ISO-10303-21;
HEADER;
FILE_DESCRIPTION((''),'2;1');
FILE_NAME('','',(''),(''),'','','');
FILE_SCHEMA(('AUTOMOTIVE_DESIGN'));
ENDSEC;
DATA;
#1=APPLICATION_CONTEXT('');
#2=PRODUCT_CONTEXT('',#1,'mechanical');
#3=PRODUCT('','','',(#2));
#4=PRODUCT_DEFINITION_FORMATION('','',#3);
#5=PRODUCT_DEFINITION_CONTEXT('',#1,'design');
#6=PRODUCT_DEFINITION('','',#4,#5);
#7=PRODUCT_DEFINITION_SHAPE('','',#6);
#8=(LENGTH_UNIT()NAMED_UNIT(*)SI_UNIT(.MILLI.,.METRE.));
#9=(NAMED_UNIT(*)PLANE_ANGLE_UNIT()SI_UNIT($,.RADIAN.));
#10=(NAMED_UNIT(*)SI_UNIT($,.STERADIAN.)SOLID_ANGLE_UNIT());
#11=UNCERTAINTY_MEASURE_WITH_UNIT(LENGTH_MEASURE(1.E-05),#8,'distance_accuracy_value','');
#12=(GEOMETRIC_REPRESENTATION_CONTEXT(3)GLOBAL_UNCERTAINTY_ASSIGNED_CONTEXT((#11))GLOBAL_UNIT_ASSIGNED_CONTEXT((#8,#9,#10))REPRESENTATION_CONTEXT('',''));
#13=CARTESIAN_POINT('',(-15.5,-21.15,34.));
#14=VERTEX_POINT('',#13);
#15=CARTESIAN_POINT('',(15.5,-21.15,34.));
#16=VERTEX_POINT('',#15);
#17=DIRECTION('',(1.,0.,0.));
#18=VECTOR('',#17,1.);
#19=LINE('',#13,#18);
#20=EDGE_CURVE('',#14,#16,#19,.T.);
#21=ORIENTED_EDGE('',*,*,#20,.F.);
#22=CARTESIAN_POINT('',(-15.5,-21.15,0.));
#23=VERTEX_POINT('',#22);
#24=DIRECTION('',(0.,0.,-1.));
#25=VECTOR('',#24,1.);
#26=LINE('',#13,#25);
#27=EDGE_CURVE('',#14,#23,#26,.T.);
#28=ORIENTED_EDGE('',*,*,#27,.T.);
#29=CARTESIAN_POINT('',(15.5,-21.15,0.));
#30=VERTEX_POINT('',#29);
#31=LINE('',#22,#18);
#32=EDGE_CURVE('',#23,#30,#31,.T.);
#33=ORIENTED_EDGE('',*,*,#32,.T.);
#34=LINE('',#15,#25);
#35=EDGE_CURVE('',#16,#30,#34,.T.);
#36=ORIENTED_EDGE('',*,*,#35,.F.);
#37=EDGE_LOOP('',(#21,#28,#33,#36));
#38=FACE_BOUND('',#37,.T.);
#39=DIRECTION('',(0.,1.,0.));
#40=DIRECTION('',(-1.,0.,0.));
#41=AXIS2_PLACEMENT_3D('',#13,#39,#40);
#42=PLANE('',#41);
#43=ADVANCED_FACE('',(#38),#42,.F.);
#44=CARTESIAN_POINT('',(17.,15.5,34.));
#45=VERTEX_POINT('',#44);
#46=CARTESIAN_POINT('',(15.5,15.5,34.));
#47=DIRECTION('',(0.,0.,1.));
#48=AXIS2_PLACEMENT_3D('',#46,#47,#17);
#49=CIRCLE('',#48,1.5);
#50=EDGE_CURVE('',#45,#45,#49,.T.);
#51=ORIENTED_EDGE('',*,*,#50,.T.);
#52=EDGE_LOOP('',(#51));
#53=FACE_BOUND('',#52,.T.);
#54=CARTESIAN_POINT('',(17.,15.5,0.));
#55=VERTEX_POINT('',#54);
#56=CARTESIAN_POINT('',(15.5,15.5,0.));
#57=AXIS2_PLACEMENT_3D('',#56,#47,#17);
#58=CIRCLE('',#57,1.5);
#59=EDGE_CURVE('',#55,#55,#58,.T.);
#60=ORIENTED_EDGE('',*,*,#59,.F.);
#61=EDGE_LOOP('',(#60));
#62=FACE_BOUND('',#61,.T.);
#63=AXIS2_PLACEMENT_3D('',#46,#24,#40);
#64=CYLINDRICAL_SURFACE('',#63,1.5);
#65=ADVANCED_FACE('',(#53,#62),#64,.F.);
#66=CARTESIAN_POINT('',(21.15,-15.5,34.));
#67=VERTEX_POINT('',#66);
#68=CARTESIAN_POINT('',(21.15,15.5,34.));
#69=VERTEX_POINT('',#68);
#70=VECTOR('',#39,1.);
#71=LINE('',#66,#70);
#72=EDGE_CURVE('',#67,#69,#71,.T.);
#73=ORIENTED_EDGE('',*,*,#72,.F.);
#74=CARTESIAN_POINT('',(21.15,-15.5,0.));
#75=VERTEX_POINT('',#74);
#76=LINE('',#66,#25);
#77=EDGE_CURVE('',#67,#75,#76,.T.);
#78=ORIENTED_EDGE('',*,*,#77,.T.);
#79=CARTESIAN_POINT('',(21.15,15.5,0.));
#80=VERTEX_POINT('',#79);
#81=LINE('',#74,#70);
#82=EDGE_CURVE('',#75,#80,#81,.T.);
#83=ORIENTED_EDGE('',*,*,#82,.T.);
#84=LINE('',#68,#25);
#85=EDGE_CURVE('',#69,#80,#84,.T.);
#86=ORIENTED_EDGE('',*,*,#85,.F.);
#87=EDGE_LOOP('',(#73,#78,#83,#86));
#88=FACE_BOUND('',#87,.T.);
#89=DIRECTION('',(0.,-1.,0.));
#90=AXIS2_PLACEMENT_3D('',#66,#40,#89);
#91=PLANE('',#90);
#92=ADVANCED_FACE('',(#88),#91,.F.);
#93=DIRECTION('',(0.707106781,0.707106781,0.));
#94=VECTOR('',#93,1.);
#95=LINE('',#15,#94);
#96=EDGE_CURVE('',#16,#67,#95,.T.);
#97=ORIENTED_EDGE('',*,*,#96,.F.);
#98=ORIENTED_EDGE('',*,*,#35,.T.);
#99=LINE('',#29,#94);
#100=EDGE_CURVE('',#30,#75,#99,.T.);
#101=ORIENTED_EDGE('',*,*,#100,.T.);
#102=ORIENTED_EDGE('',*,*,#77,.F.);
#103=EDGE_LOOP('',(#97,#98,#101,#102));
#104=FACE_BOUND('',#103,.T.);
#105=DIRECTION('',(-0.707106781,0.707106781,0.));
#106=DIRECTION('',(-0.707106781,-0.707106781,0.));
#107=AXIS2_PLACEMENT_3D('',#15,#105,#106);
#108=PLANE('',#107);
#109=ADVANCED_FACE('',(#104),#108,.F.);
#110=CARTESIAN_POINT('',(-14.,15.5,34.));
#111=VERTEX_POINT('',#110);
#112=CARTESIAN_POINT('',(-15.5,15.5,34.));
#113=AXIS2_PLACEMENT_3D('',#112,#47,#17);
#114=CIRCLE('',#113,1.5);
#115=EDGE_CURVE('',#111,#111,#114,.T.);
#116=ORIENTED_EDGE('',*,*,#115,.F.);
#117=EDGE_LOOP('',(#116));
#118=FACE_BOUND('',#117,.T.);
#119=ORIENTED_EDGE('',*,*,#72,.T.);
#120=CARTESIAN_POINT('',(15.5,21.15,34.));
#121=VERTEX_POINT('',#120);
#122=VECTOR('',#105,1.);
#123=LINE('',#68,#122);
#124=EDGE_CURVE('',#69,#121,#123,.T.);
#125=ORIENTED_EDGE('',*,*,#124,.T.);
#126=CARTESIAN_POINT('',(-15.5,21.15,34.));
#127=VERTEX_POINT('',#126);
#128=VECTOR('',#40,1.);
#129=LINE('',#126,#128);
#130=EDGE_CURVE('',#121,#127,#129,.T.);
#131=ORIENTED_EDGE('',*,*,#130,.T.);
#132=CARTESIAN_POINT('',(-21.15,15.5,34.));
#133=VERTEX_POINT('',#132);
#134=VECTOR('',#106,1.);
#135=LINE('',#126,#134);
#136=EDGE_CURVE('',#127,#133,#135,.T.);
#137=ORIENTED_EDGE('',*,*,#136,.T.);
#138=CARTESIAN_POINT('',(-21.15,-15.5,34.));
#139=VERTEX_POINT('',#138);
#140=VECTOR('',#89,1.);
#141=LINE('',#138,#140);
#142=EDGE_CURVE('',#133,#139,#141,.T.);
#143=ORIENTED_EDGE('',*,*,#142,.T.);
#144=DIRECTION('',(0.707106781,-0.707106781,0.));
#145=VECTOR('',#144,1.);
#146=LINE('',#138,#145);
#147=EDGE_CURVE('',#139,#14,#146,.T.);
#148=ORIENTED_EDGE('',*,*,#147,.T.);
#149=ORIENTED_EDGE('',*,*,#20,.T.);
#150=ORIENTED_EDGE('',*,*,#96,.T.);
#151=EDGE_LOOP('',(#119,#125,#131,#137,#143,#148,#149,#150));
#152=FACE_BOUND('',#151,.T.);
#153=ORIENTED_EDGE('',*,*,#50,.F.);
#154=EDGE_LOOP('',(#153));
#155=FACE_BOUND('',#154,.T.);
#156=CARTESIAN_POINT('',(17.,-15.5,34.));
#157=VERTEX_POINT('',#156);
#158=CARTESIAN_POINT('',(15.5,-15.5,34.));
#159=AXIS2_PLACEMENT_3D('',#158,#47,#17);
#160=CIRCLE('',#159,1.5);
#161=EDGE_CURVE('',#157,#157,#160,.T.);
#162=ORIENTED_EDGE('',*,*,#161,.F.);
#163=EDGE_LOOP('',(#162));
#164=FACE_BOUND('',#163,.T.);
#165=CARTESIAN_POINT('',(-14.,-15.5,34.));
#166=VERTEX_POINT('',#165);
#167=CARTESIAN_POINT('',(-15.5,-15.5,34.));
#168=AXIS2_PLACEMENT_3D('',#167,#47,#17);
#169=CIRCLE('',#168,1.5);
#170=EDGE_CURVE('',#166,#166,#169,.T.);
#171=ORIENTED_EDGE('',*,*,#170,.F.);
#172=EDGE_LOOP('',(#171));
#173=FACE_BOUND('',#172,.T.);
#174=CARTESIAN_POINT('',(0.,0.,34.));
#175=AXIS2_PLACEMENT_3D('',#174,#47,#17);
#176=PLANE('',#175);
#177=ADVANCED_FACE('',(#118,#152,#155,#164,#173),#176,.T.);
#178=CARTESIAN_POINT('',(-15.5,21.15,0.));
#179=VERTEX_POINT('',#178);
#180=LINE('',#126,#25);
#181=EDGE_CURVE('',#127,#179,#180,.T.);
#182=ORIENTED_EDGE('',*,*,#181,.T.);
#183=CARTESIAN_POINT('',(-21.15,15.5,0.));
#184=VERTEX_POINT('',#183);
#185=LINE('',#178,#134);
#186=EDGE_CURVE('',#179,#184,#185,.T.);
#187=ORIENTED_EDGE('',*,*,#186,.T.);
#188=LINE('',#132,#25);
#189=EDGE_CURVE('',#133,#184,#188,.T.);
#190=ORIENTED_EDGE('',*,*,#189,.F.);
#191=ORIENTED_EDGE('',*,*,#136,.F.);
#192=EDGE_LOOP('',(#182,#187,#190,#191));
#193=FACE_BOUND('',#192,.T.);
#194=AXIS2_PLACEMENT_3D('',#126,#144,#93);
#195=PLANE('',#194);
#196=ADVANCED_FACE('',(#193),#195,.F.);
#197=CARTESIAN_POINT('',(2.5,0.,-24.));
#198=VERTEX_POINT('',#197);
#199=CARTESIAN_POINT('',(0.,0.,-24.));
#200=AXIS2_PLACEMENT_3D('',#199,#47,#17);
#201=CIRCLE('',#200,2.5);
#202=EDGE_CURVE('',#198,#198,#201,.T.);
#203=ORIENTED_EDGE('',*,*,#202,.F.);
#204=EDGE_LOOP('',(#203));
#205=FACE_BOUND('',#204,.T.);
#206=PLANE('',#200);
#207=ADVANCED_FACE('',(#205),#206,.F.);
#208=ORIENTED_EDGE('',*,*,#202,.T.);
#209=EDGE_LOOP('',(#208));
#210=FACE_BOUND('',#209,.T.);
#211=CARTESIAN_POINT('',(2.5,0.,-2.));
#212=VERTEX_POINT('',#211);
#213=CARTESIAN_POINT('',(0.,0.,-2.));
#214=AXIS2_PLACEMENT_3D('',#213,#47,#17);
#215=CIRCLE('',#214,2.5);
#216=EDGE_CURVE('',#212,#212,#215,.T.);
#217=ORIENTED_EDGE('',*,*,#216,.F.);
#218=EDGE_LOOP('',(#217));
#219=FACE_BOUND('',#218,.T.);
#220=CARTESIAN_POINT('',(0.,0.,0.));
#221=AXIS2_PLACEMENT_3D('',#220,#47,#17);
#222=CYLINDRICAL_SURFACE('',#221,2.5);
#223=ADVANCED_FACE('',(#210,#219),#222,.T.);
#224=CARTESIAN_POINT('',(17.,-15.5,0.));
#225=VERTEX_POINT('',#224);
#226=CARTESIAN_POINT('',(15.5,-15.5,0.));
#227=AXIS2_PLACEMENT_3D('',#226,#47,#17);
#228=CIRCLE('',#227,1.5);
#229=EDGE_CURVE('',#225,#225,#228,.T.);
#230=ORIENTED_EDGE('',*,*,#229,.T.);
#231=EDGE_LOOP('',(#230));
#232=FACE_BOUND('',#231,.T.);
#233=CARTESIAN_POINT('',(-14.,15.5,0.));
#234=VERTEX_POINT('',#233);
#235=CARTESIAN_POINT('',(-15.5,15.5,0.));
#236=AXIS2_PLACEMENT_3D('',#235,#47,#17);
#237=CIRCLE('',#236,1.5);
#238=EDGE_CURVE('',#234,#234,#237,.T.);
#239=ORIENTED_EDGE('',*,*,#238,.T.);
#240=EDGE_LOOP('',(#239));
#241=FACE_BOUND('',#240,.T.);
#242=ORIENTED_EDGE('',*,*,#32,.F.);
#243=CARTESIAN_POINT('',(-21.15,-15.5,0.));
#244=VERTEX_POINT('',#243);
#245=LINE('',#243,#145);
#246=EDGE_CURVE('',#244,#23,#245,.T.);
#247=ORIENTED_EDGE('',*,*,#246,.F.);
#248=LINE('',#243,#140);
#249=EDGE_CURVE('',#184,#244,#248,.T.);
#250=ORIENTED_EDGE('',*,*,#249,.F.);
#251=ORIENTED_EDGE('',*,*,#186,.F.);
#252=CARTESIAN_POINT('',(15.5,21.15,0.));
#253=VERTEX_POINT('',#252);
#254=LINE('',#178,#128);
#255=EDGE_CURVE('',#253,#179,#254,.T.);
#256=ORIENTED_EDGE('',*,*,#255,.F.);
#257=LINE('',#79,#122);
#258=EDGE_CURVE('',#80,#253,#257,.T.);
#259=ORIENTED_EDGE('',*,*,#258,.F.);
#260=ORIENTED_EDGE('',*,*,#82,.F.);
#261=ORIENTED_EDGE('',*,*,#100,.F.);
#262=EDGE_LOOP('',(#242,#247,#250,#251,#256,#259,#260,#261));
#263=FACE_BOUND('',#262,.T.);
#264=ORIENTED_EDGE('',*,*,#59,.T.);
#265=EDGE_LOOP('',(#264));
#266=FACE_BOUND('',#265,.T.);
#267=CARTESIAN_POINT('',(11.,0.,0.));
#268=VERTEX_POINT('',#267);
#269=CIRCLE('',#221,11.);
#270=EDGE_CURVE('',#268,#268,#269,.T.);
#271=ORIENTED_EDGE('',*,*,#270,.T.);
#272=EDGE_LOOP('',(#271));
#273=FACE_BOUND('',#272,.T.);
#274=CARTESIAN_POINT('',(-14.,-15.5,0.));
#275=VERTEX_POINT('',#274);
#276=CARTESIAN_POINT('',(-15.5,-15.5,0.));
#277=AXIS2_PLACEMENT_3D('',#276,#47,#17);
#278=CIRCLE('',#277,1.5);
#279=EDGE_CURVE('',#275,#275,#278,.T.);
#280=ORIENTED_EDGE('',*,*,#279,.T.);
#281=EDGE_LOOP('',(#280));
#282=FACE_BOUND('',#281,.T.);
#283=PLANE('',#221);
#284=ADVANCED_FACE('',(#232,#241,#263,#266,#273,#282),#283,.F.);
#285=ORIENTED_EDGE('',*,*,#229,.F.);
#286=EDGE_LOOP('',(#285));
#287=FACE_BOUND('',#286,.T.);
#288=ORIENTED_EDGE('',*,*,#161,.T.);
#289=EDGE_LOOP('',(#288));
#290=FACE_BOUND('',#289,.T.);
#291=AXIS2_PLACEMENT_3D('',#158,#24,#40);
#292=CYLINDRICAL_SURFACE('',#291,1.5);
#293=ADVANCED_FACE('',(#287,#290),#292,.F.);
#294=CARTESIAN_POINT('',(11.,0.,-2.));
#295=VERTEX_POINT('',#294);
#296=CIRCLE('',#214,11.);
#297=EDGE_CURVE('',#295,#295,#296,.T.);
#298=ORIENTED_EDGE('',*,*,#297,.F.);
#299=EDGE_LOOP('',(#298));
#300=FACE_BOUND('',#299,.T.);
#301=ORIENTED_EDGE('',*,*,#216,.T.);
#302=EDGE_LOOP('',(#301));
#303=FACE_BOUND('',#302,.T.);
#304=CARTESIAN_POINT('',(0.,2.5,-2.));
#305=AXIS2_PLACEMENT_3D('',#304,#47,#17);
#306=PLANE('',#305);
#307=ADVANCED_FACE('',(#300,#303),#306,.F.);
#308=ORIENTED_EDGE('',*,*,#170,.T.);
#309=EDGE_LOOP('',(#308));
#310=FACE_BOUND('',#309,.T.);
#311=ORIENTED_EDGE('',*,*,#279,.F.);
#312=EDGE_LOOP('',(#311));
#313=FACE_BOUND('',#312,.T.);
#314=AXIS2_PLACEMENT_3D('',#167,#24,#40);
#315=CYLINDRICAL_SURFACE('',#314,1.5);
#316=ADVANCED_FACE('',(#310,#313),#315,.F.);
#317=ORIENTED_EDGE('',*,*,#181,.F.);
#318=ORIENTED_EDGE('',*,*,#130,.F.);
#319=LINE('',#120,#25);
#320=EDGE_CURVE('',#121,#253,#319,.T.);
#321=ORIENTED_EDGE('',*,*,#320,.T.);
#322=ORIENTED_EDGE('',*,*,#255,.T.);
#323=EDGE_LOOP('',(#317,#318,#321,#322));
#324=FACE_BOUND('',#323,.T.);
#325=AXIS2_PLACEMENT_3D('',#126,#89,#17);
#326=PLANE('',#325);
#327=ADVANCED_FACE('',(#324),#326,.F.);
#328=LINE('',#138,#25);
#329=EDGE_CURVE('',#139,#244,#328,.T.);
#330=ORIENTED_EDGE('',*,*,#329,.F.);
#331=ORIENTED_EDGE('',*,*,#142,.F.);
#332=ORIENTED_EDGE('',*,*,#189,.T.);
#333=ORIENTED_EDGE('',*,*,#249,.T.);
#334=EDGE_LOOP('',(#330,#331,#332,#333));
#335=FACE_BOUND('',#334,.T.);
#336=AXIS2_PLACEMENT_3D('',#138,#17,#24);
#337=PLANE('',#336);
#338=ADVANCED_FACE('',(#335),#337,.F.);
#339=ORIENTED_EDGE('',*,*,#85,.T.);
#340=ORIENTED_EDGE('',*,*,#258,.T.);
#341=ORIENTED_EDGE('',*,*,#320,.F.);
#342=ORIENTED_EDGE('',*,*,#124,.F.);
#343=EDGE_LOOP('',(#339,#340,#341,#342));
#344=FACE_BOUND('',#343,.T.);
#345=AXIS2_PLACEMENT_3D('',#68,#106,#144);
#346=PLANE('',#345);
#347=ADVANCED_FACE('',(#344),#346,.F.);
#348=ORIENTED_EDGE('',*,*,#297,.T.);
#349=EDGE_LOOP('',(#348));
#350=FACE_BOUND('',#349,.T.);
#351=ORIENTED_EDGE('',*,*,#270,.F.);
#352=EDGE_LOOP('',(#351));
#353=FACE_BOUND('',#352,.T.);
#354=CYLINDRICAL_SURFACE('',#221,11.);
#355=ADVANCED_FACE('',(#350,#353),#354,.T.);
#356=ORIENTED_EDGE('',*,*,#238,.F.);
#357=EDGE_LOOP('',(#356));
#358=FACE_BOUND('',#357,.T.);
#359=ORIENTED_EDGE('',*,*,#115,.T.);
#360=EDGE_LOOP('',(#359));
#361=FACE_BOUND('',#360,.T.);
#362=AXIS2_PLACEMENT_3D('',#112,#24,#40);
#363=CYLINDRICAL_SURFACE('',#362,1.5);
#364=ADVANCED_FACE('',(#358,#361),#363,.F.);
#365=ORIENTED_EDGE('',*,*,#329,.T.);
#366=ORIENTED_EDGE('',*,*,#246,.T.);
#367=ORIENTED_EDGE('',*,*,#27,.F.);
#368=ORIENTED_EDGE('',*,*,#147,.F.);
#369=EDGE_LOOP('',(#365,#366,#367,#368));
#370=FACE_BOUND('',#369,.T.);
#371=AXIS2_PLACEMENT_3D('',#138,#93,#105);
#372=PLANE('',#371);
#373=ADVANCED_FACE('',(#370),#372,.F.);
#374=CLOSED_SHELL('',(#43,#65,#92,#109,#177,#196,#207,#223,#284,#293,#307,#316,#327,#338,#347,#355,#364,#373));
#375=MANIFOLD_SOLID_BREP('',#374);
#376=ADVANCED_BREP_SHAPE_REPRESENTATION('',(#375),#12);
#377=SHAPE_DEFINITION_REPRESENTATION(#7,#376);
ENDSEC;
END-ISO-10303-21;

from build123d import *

# Parameters (mm, degrees)
SKETCH1_R           = 1.5
BOSS_EXTRUDE1_DEPTH = 34


with BuildPart() as part:
    # Sketch1 → Boss-Extrude1 (new body)
    with BuildSketch(Plane.XY):
        Polygon((-15.5, 21.15), (-21.15, 15.5), (-21.15, -15.5), (-15.5, -21.15), (15.5, -21.15), (21.15, -15.5), (21.15, 15.5), (15.5, 21.15), align=None)
        with Locations((15.5, 15.5)):
            Circle(SKETCH1_R, mode=Mode.SUBTRACT)
        with Locations((15.5, -15.5)):
            Circle(SKETCH1_R, mode=Mode.SUBTRACT)
        with Locations((-15.5, -15.5)):
            Circle(SKETCH1_R, mode=Mode.SUBTRACT)
        with Locations((-15.5, 15.5)):
            Circle(SKETCH1_R, mode=Mode.SUBTRACT)
    extrude(amount=BOSS_EXTRUDE1_DEPTH)

    # Sketch3 → Revolve1 (revolve)
    with BuildSketch(Plane(origin=(0, 0, 0), x_dir=(0, 0, -1), z_dir=(1, 0, 0)), mode=Mode.PRIVATE) as revolve1_sk:
        Polygon((0, 0), (24, 0), (24, 2.5), (2, 2.5), (2, 11), (0, 11), align=None)
    revolve(revolve1_sk.sketch.rotate(Axis((0, 0, 0), (0, 0, -1)), 90), axis=Axis((0, 0, 0), (0, 0, -1)))


solid = part.part
